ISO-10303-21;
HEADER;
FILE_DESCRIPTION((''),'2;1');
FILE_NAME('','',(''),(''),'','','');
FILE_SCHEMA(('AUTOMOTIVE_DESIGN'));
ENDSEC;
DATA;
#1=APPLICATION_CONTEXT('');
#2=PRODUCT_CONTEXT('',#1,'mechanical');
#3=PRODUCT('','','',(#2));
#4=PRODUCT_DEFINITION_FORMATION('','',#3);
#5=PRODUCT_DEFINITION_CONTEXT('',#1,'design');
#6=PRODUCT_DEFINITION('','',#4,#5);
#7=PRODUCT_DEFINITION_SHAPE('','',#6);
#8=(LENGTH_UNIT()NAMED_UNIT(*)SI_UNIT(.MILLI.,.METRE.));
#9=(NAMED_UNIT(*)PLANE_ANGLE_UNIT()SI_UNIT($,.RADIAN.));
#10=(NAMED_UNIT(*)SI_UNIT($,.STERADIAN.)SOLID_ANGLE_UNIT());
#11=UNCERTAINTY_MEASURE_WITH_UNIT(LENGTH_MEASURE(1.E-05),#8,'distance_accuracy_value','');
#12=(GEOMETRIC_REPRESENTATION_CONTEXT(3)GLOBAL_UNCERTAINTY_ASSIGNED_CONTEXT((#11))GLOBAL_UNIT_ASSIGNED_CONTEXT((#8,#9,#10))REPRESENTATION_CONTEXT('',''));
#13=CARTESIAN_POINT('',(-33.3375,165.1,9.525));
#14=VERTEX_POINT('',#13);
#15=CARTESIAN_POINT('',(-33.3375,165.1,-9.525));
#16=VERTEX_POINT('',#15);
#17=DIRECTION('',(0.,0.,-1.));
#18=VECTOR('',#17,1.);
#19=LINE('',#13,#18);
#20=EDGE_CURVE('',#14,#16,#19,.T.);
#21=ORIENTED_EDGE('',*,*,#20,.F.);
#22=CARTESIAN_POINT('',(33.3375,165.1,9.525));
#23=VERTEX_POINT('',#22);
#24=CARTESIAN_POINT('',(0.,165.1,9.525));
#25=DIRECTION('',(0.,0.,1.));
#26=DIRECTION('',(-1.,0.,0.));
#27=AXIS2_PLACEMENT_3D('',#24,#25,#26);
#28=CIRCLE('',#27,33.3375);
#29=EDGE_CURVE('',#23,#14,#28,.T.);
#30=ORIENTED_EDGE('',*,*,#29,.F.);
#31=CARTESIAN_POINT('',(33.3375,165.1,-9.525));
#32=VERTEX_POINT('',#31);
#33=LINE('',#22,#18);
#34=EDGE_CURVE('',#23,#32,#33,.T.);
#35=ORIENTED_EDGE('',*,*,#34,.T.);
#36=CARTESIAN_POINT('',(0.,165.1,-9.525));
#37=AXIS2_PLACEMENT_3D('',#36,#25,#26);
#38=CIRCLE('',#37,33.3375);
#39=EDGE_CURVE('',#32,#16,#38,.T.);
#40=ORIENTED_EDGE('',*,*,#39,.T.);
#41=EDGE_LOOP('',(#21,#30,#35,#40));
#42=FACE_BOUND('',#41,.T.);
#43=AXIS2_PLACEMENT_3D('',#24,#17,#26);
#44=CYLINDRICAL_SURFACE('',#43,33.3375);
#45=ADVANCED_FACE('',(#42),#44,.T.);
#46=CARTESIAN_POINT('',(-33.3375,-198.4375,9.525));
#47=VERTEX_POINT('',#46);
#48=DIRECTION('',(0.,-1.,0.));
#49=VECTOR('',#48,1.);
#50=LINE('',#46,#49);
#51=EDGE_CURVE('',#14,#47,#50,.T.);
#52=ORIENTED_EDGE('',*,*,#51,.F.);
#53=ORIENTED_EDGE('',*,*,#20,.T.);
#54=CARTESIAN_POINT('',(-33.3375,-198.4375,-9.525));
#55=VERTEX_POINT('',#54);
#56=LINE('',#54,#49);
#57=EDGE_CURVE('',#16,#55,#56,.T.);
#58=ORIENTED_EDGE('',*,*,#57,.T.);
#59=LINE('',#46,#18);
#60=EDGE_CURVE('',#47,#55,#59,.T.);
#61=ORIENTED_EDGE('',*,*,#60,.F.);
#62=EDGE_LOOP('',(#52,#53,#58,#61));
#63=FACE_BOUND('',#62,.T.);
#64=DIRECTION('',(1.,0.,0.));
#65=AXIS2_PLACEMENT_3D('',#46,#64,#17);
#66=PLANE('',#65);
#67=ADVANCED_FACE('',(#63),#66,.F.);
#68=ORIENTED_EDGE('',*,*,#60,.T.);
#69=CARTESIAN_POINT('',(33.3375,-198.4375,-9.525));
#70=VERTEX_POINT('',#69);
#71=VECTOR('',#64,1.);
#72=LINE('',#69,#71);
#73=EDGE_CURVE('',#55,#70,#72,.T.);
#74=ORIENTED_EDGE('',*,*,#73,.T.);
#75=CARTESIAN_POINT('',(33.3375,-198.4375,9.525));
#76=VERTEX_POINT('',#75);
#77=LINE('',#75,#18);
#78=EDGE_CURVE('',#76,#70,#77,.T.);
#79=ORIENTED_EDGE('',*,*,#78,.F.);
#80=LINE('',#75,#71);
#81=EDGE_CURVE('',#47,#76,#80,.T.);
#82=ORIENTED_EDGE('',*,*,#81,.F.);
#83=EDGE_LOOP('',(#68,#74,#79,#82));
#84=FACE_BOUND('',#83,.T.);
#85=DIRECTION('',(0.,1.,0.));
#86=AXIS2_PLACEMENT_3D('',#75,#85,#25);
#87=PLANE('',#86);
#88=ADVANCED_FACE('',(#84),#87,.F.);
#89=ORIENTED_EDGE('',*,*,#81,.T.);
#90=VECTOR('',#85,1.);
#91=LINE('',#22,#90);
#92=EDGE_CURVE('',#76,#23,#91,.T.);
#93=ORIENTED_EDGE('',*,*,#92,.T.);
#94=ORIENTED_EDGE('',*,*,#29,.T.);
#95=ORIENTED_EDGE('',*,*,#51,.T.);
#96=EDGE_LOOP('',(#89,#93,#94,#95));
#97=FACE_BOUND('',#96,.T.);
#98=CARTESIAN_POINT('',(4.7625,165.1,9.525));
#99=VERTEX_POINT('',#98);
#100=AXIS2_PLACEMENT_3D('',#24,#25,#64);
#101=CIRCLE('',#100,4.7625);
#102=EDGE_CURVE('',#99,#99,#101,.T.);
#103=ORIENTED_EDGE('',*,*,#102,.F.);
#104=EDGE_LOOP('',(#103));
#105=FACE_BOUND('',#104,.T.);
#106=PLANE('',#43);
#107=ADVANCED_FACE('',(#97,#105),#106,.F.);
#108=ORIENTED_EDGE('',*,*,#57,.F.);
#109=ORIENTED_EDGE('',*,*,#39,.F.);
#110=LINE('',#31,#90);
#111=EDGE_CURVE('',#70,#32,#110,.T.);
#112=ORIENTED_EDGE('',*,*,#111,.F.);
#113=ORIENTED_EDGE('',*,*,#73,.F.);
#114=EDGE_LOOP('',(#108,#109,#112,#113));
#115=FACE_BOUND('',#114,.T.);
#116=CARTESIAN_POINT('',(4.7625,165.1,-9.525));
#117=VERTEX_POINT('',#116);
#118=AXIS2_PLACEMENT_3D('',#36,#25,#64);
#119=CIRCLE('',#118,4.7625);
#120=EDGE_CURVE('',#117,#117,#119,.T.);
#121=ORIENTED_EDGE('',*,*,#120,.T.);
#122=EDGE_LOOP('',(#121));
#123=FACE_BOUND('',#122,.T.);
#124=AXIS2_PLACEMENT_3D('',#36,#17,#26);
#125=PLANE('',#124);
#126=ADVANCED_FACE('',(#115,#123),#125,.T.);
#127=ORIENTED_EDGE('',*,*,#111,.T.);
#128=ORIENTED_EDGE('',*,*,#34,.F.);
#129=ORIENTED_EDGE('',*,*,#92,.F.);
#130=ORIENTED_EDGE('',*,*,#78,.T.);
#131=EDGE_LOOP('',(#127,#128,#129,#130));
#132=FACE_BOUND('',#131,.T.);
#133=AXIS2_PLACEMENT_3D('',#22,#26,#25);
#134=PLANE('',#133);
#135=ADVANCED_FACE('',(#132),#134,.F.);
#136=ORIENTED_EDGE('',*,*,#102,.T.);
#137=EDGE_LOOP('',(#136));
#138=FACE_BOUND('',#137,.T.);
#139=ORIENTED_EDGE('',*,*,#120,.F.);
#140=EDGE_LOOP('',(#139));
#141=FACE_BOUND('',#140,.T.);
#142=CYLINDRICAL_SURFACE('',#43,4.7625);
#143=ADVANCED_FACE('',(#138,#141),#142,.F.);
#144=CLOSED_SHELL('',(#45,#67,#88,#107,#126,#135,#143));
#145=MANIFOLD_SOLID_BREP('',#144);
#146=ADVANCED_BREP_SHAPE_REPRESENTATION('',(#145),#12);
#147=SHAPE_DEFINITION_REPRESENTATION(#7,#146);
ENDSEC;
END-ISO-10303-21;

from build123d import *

# Parameters (mm, degrees)
SKETCH1_R           = 4.7625
BOSS_EXTRUDE1_DEPTH = 9.525


with BuildPart() as part:
    # Sketch1 → Boss-Extrude1 (new body, symmetric)
    with BuildSketch(Plane.XY):
        with BuildLine():
            Line((33.3375, -198.4375), (-33.3375, -198.4375))
            Line((-33.3375, -198.4375), (-33.3375, 165.1))
            ThreePointArc((-33.3375, 165.1), (0, 198.4375), (33.3375, 165.1))
            Line((33.3375, 165.1), (33.3375, -198.4375))
        make_face()
        with Locations((0, 165.1)):
            Circle(SKETCH1_R, mode=Mode.SUBTRACT)
    extrude(amount=BOSS_EXTRUDE1_DEPTH, both=True)


solid = part.part
